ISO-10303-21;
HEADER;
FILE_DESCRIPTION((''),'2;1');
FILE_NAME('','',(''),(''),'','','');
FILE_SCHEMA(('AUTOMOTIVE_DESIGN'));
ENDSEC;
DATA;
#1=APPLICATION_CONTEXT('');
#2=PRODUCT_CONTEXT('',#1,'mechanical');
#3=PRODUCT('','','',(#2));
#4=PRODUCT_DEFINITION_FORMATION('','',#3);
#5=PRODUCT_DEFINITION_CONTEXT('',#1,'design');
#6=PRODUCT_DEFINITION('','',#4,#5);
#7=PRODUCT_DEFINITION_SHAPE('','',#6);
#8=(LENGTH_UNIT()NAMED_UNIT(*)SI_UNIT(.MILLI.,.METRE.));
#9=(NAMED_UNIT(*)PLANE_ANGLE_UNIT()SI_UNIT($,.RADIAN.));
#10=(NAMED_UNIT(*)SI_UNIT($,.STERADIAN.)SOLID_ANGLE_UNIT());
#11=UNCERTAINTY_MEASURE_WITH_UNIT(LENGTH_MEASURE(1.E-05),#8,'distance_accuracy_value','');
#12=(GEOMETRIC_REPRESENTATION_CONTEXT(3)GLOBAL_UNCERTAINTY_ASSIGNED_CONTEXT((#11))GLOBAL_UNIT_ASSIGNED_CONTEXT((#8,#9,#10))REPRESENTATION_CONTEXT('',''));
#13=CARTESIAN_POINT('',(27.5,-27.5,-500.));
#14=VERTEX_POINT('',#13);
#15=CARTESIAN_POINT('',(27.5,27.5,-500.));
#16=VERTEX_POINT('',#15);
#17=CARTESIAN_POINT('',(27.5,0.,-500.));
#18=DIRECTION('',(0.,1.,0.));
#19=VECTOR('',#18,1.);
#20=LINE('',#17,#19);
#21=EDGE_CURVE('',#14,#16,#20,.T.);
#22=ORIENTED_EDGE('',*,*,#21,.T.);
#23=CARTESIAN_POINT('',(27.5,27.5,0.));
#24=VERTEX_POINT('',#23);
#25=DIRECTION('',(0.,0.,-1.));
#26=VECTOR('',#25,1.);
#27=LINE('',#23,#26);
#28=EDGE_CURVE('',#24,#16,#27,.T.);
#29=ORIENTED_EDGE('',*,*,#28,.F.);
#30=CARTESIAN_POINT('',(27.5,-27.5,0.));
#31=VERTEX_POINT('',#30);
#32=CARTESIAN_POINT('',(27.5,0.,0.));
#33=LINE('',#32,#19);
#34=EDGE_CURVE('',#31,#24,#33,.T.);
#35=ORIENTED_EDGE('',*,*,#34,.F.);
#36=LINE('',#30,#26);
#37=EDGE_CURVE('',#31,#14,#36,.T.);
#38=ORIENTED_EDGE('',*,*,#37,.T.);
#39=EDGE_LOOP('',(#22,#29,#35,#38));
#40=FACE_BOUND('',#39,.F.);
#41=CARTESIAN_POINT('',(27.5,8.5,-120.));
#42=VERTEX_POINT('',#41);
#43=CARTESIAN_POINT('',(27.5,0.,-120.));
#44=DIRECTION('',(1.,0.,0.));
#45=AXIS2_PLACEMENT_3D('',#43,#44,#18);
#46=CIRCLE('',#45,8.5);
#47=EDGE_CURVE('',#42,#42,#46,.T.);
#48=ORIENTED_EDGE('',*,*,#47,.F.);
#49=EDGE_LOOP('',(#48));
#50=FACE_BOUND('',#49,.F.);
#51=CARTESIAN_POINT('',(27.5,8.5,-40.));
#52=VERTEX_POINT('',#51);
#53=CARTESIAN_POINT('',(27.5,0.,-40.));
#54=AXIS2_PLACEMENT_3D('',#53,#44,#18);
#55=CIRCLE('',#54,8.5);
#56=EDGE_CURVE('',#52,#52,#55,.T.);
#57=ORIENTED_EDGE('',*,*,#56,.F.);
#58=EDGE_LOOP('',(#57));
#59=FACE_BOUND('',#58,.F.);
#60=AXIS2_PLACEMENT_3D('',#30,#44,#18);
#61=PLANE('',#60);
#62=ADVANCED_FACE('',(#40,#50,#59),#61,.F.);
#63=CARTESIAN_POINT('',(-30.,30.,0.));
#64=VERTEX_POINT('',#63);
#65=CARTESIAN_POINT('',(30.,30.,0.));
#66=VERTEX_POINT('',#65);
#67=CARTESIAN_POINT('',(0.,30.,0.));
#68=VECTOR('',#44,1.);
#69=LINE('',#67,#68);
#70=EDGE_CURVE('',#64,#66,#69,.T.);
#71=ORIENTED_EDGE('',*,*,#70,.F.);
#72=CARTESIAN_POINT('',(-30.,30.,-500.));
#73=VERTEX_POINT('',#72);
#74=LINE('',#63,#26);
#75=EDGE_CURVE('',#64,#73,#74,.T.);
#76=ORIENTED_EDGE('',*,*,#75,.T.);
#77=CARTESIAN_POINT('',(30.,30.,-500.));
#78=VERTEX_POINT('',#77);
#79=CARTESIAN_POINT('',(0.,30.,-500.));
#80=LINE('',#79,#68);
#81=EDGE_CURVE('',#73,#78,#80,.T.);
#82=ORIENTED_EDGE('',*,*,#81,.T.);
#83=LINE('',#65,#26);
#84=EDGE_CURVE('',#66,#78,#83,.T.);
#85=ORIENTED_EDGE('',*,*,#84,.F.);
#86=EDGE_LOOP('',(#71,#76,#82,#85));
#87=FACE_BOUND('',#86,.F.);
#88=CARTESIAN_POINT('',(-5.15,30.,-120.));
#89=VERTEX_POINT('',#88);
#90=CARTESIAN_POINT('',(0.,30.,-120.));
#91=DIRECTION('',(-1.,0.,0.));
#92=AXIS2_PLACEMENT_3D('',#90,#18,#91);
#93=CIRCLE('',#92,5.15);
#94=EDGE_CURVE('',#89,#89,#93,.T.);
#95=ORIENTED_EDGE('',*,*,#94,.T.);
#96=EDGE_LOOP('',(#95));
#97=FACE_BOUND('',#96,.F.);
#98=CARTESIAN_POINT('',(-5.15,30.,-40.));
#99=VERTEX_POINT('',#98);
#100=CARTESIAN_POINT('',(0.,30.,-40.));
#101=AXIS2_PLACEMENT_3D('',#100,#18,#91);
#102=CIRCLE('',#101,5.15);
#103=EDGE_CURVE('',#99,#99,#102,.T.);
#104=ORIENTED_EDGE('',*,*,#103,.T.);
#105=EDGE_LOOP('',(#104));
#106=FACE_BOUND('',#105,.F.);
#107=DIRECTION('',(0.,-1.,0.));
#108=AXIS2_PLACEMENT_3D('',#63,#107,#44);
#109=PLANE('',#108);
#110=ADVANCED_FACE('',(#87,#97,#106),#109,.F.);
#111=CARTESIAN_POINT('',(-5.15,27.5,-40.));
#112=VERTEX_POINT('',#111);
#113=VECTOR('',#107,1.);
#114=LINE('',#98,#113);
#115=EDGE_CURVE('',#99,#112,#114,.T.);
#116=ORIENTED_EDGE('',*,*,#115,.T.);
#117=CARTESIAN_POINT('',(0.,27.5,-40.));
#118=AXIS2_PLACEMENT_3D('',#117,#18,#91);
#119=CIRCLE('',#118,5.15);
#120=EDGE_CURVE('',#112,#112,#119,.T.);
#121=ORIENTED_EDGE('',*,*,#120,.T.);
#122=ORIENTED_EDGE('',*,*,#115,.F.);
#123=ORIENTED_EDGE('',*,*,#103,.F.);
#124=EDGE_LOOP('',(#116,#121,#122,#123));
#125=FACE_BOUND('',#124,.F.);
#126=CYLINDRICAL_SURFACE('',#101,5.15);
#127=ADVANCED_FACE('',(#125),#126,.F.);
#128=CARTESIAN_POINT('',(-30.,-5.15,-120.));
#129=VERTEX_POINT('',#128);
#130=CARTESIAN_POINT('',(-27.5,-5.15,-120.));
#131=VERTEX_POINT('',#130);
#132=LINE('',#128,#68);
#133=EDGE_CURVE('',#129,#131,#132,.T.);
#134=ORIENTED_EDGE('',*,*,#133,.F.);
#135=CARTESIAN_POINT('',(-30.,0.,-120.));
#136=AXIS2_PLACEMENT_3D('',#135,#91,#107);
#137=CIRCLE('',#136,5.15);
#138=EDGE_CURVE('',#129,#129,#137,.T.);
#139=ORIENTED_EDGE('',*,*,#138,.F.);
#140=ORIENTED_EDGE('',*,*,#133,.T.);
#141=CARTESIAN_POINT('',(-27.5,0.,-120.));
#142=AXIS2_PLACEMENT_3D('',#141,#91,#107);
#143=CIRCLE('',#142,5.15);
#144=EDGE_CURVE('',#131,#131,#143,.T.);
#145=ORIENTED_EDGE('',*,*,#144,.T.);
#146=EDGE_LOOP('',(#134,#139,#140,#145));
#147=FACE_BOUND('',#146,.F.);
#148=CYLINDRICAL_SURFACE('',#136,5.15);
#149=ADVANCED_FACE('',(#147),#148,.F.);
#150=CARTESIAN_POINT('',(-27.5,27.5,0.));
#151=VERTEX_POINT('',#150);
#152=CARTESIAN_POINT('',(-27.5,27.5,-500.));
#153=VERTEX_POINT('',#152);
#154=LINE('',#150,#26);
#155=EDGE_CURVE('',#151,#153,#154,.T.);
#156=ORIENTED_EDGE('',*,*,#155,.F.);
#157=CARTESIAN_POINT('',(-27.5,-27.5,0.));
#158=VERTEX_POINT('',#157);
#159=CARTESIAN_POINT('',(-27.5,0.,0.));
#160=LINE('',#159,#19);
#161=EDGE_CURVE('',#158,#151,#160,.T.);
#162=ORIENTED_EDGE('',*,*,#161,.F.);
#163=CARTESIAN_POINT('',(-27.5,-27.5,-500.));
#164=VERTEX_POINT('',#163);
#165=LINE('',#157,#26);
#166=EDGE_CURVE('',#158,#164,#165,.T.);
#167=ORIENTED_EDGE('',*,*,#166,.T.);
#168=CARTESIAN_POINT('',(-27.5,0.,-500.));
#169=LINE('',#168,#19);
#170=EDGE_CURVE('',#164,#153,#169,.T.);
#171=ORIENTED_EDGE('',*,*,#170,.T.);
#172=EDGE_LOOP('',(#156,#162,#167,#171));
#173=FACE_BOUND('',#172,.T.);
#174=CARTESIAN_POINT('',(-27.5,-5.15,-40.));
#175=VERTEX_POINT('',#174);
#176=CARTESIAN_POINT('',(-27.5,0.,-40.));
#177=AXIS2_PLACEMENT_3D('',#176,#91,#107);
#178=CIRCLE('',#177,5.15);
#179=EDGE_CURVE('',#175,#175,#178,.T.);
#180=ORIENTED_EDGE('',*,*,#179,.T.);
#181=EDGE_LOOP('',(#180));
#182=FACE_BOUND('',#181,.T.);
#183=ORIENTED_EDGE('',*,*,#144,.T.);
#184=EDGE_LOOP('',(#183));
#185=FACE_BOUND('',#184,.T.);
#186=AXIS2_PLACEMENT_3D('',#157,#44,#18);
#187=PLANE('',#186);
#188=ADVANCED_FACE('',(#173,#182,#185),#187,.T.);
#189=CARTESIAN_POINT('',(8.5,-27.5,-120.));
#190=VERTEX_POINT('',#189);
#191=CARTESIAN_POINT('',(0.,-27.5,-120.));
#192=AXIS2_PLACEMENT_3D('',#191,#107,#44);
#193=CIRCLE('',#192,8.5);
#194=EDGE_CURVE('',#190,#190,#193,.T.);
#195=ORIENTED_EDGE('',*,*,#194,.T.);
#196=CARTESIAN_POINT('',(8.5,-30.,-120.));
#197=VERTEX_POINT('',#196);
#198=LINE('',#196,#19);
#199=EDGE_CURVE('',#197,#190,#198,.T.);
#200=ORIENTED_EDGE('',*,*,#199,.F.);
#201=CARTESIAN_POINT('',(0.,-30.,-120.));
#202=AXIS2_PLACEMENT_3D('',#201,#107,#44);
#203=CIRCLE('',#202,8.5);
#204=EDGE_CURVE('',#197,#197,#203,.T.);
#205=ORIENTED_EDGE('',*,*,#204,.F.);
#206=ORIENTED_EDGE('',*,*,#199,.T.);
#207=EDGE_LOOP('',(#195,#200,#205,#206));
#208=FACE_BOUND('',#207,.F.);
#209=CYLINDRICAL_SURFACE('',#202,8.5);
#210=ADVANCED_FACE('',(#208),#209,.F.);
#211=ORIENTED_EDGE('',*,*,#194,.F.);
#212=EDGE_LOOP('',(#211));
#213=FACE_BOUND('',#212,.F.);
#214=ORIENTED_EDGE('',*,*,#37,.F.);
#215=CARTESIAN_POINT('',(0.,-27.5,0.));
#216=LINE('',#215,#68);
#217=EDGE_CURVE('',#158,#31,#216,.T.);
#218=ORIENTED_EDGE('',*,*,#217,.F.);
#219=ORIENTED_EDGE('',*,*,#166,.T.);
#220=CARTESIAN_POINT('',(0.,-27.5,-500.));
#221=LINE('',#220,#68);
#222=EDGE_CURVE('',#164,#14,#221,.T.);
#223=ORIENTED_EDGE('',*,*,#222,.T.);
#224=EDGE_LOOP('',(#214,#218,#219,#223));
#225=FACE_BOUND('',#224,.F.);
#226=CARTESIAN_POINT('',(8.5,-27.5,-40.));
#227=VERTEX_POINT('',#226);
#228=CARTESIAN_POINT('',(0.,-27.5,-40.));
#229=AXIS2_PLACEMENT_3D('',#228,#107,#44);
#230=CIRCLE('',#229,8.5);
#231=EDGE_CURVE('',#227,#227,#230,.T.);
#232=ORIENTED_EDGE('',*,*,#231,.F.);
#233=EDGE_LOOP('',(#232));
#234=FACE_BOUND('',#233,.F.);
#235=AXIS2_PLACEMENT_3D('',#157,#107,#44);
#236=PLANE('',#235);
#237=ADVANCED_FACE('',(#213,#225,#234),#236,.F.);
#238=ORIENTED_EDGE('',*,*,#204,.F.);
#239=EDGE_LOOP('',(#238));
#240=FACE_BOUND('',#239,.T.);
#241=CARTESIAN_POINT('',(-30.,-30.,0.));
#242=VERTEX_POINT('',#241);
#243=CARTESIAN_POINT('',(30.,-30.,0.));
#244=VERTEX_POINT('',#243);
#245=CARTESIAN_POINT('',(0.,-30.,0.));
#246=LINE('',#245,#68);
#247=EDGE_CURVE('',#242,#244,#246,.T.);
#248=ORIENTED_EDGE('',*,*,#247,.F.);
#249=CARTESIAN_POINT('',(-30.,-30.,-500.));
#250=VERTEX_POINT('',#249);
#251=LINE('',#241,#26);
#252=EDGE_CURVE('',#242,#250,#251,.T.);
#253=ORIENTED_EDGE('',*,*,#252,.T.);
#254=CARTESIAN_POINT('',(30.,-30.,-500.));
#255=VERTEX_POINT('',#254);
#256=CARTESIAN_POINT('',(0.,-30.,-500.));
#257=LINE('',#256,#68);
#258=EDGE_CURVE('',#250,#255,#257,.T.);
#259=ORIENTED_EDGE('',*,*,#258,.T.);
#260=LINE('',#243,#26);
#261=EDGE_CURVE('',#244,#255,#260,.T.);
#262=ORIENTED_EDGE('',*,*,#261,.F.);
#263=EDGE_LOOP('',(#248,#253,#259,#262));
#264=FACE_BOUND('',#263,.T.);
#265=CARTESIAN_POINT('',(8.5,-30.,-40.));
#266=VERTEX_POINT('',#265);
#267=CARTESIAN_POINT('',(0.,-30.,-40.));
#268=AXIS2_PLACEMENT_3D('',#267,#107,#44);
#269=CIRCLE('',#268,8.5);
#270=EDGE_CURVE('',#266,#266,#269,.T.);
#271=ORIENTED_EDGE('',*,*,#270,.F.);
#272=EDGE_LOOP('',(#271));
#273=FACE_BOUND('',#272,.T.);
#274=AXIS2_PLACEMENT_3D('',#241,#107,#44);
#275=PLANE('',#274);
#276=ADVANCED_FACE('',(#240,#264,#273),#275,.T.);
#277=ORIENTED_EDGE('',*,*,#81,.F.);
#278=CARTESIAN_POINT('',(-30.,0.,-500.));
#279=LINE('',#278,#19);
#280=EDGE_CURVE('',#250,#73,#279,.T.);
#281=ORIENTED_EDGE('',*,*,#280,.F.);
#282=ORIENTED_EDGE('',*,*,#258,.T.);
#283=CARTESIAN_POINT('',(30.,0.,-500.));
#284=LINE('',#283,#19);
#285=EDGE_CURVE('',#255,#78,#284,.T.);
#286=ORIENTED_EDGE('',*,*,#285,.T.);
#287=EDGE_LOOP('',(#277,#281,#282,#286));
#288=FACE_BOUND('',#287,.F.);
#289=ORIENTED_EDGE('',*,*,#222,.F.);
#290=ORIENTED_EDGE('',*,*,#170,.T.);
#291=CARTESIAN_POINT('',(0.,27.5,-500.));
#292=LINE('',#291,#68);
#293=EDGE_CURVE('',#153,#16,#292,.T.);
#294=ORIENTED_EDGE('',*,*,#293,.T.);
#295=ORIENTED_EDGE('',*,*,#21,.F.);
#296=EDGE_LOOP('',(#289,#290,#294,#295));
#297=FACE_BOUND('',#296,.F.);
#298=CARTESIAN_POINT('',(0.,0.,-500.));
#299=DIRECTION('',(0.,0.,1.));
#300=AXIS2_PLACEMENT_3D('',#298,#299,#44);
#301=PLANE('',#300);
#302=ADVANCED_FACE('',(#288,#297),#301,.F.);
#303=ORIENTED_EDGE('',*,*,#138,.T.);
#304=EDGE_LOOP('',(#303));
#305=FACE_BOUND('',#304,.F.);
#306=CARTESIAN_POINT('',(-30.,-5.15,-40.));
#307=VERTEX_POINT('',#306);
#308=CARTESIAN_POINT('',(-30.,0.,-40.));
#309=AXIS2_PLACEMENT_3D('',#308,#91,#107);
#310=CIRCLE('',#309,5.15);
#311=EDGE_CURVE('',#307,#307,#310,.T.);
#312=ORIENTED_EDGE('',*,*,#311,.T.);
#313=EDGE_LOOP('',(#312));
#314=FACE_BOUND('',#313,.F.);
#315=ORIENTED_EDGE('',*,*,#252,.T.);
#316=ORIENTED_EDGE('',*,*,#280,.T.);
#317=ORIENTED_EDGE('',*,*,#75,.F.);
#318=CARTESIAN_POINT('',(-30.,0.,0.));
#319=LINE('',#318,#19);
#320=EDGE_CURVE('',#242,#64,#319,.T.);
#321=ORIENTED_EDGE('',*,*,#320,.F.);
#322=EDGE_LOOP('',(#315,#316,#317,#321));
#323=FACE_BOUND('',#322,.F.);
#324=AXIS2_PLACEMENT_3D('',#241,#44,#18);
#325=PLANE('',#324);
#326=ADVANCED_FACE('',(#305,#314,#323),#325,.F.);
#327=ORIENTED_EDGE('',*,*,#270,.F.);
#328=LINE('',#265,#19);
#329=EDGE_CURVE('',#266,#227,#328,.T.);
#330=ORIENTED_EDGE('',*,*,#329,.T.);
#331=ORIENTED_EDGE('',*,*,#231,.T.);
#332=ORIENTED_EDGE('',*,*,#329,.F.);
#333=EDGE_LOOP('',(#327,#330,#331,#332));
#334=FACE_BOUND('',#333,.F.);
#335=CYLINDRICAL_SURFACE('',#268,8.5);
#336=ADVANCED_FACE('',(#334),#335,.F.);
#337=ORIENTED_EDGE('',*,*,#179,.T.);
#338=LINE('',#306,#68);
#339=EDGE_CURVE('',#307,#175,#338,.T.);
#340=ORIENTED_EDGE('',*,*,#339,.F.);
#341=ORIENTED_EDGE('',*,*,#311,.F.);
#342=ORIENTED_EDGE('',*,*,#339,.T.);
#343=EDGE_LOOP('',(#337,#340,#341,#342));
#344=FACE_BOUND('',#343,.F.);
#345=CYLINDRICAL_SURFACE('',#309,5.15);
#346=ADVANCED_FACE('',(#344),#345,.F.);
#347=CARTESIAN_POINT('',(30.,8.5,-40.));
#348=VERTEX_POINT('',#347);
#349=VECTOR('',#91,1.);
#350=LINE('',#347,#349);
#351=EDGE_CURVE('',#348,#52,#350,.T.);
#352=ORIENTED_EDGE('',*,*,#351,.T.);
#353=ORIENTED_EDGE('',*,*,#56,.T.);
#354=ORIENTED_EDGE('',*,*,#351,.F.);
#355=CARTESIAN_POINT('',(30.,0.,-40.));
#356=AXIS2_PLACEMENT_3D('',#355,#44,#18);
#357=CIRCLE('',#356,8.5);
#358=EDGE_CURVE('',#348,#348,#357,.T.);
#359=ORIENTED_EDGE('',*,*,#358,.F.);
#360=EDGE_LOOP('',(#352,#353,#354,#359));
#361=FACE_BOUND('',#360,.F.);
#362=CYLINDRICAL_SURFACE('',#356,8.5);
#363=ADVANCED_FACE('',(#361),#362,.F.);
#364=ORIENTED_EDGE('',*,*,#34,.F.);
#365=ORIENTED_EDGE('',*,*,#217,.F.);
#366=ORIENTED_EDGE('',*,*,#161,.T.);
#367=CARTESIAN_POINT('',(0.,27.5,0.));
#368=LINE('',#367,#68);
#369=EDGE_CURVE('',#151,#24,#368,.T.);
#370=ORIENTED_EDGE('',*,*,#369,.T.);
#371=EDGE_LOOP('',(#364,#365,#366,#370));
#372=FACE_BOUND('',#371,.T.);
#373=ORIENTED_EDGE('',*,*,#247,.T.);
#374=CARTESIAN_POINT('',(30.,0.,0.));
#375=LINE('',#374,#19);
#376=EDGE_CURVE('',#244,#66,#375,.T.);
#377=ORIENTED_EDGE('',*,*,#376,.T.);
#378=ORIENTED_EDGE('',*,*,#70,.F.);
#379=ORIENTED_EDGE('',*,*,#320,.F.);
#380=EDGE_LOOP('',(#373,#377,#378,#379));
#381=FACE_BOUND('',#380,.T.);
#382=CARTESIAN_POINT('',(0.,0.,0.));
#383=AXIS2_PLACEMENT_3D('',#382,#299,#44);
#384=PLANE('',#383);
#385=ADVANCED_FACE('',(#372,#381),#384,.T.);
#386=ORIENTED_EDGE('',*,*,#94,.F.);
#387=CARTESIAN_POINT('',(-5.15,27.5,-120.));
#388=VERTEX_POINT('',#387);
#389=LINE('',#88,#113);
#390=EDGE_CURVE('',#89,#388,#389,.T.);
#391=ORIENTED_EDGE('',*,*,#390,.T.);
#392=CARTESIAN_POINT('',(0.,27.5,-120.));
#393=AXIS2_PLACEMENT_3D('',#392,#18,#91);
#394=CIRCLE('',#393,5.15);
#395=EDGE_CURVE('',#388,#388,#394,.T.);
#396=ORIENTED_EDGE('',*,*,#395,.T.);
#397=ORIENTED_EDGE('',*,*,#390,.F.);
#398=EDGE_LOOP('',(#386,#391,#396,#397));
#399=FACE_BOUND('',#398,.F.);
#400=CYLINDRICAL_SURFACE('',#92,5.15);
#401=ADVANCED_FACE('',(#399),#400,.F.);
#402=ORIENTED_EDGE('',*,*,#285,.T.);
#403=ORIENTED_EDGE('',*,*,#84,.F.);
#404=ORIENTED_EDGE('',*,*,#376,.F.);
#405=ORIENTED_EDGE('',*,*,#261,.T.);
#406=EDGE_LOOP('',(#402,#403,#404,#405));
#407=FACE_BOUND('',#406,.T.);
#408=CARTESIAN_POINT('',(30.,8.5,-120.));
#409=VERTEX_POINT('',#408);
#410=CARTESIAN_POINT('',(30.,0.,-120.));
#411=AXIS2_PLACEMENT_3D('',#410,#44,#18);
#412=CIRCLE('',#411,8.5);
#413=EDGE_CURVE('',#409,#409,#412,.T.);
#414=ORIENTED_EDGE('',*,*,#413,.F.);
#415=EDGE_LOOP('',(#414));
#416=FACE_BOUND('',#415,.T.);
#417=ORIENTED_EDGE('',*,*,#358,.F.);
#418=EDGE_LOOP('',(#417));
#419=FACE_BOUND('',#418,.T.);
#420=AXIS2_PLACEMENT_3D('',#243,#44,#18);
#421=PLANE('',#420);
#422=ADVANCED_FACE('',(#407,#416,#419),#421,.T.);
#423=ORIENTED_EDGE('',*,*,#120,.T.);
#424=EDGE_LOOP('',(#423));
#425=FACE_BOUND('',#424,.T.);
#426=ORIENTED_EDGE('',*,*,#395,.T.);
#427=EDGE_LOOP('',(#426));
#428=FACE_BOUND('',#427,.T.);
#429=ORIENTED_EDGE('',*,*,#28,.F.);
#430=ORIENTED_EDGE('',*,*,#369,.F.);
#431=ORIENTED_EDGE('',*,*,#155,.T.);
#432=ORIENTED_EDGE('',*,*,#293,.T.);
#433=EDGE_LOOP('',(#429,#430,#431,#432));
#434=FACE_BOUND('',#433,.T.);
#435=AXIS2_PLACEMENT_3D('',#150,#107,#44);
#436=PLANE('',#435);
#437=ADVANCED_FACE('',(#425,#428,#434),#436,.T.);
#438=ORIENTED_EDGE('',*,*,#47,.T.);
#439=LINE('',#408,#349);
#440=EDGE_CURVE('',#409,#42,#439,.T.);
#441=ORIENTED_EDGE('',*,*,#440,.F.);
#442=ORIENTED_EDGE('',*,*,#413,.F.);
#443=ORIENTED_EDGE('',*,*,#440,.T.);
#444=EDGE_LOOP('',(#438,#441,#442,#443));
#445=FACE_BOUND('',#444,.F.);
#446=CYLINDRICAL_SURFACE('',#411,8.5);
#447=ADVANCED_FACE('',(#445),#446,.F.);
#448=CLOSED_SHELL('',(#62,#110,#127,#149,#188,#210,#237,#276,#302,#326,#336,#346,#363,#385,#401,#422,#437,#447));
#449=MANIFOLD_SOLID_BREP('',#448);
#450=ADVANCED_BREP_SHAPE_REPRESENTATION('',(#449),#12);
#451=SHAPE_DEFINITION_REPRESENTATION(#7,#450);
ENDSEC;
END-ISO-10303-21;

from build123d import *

# Parameters (mm, degrees)
F0_W     = 60
F0_H     = 60
F0_W_2   = 55
F0_H_2   = 55
F1_DEPTH = 500
F2_R     = 8.5
F3_DEPTH = 5
F4_R     = 8.5
F5_DEPTH = 5
F6_R     = 5.15
F7_DEPTH = 5
F8_R     = 5.15
F9_DEPTH = 5


with BuildPart() as f1:
    # F0 (on Top) → F1 (new body)
    with BuildSketch(Plane.XY):
        Rectangle(F0_W, F0_H)
        Rectangle(F0_W_2, F0_H_2, mode=Mode.SUBTRACT)
    extrude(amount=-F1_DEPTH)

    # F2 (on face) → F3 (cut)
    with BuildSketch(Plane.XZ.offset(30)):
        with Locations((0, -40)):
            Circle(F2_R)
        with Locations((0, -120)):
            Circle(F2_R)
    extrude(amount=-F3_DEPTH, mode=Mode.SUBTRACT)

    # F4 (on face) → F5 (cut)
    with BuildSketch(Plane.YZ.offset(30)):
        with Locations((0, -40)):
            Circle(F4_R)
        with Locations((0, -120)):
            Circle(F4_R)
    extrude(amount=-F5_DEPTH, mode=Mode.SUBTRACT)

    # F6 (on face) → F7 (cut)
    with BuildSketch(Plane(origin=(-30, 0, 0), x_dir=(0, -1, 0), z_dir=(-1, 0, 0))):
        with Locations((0, -40)):
            Circle(F6_R)
        with Locations((0, -120)):
            Circle(F6_R)
    extrude(amount=-F7_DEPTH, mode=Mode.SUBTRACT)

    # F8 (on face) → F9 (cut)
    with BuildSketch(Plane(origin=(0, 30, 0), x_dir=(-1, 0, 0), z_dir=(0, 1, 0))):
        with Locations((0, -40)):
            Circle(F8_R)
        with Locations((0, -120)):
            Circle(F8_R)
    extrude(amount=-F9_DEPTH, mode=Mode.SUBTRACT)


solid = f1.part
